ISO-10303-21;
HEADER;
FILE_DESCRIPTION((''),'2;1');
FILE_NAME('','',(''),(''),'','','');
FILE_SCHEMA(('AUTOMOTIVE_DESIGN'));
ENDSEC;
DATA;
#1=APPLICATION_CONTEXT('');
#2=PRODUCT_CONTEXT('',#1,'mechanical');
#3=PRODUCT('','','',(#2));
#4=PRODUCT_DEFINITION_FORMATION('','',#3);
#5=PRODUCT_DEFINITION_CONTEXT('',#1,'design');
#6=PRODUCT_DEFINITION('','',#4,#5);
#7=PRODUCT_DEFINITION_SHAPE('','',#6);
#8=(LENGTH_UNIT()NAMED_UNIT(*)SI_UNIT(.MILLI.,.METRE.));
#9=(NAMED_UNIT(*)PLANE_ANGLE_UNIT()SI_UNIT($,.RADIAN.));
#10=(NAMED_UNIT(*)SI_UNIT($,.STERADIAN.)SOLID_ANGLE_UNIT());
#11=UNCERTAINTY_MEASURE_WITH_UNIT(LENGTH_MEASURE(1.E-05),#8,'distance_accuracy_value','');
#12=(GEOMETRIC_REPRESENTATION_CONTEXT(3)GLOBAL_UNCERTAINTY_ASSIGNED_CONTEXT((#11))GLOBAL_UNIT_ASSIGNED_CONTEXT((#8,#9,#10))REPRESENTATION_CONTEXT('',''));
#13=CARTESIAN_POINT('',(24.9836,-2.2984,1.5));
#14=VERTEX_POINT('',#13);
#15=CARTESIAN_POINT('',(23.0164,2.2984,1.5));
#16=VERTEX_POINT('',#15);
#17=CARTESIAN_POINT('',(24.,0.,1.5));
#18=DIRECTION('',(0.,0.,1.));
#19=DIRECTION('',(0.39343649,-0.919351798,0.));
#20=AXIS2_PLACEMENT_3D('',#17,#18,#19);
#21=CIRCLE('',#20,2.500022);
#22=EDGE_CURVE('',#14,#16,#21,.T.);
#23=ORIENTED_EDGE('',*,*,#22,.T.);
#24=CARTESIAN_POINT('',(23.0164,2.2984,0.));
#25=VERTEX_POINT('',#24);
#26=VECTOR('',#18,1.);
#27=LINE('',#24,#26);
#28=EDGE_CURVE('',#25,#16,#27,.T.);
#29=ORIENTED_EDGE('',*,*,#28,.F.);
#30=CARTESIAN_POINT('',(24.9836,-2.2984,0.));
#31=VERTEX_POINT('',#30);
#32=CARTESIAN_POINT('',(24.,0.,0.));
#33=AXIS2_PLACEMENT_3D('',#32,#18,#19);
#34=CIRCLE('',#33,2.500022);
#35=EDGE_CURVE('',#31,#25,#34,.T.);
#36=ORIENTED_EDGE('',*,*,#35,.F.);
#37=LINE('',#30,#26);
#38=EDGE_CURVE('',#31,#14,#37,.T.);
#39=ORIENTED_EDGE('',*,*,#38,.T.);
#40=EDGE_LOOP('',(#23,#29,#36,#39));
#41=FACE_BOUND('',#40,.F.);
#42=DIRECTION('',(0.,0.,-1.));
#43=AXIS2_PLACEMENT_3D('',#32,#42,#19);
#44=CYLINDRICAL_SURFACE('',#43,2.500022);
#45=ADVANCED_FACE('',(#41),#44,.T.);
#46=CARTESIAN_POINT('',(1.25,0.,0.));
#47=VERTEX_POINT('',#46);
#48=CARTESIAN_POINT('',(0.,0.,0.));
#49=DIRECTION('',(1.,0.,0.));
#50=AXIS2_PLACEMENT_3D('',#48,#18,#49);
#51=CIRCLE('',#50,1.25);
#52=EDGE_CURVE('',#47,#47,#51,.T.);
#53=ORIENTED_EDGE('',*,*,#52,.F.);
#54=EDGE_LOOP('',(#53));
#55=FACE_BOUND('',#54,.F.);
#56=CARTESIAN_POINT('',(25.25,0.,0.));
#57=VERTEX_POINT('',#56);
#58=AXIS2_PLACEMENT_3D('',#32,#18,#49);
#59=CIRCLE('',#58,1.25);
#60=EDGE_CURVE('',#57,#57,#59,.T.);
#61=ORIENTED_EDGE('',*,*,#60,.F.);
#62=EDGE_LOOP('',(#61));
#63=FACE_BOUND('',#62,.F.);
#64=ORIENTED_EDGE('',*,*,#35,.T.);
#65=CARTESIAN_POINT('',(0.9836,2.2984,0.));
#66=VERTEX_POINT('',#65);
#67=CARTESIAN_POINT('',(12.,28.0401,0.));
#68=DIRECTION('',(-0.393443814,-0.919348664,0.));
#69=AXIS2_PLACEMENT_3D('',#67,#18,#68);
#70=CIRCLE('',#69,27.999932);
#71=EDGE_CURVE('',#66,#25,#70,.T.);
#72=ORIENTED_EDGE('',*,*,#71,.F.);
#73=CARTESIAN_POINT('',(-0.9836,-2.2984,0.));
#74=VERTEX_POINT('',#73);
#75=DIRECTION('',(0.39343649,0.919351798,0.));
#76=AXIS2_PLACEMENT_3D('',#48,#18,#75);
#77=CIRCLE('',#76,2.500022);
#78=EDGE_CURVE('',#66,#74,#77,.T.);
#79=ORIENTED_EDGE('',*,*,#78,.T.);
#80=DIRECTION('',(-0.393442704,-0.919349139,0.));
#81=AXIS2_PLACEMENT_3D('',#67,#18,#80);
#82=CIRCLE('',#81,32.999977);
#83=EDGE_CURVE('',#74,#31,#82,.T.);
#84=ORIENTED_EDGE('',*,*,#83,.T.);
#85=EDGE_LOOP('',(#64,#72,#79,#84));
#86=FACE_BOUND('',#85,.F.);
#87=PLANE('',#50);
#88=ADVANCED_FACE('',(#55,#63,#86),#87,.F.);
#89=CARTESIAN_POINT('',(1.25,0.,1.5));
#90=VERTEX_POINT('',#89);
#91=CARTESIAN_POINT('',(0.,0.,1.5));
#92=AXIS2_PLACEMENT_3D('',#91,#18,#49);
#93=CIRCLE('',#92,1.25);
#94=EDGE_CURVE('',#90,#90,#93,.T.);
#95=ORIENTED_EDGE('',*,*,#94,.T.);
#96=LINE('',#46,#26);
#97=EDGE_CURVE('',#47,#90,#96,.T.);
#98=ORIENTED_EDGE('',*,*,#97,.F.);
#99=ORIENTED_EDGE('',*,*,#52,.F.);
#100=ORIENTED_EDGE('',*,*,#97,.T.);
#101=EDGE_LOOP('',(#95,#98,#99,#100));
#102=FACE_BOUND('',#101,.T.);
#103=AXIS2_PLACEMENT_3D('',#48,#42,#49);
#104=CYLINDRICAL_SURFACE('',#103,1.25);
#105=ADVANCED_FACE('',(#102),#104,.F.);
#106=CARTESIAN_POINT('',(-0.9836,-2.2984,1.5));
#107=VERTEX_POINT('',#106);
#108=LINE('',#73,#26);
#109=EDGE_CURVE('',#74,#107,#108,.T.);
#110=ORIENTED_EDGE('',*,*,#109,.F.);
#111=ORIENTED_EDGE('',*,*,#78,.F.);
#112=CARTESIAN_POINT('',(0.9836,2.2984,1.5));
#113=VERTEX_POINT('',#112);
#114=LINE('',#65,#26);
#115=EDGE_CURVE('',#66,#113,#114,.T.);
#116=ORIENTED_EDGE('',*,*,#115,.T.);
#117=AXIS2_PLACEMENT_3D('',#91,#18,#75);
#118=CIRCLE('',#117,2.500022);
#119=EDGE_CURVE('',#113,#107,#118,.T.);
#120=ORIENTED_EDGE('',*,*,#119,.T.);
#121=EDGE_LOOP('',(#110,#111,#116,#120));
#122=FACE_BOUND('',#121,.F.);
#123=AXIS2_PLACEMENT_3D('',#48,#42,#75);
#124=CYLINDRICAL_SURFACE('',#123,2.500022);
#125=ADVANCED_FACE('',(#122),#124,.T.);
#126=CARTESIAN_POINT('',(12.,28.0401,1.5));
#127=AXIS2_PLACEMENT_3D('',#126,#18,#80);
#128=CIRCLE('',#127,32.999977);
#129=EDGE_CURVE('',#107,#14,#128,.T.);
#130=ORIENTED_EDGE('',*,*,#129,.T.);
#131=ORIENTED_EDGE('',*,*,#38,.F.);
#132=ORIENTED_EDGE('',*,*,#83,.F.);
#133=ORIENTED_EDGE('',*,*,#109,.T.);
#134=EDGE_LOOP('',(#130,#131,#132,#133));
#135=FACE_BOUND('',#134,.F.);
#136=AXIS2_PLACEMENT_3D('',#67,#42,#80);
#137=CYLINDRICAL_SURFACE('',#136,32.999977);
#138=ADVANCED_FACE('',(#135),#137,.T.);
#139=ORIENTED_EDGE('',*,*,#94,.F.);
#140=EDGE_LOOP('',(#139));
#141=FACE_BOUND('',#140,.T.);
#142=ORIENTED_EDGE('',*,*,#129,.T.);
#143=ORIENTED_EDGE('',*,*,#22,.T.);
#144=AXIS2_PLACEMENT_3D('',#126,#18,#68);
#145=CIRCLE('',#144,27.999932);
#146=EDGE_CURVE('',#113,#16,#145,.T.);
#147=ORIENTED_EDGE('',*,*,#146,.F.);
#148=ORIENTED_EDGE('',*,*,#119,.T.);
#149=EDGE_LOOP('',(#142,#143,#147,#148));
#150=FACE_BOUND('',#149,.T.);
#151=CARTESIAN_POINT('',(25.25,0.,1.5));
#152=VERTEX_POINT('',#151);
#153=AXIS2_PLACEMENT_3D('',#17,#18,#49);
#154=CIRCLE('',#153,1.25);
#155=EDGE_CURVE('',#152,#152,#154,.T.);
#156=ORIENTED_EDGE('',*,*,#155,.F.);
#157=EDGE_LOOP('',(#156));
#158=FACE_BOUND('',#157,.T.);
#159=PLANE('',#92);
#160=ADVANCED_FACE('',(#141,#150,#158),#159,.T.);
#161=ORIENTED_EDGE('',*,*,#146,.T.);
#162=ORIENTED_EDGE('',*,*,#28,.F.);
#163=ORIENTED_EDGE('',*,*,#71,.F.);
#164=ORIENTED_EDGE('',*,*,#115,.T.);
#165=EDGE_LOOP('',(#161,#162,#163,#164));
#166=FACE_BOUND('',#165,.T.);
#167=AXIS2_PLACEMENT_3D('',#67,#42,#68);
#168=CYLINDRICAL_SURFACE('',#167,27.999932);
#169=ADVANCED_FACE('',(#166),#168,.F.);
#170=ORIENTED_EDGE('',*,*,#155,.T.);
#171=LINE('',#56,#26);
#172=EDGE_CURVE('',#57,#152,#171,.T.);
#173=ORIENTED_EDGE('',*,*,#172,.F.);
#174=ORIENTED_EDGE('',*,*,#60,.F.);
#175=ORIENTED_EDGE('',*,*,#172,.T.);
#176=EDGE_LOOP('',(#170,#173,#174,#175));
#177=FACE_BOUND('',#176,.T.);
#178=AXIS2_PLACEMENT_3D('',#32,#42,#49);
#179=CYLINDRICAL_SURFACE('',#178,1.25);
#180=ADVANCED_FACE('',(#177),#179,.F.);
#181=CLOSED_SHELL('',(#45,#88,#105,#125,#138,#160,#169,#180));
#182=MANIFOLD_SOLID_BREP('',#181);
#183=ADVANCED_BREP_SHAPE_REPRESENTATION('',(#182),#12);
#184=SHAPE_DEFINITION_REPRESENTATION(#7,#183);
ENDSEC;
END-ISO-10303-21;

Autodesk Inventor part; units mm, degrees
ref_plane "YZ Plane" through (0, 0, 0) normal (1, 0, 0) x (0, 1, 0)
ref_plane "XZ Plane" through (0, 0, 0) normal (0, 1, 0) x (-1, 0, 0)
ref_plane "XY Plane" through (0, 0, 0) normal (0, 0, 1) x (1, 0, 0)
sketch "Sketch1" plane through (0, 0, 0) normal (0, 0, 1) x (1, 0, 0)
  circle A0 centre (0, 0) radius 1.25
  line L0 (0, 0) -> (24, 0) construction
  circle A1 centre (24, 0) radius 1.25
  arc A2 (0.9836, 2.2984) -> (-0.9836, -2.2984) centre (0, 0) ccw
  arc A3 (24.9836, -2.2984) -> (23.0164, 2.2984) centre (24, 0) ccw
  arc A4 (0.9836, 2.2984) -> (23.0164, 2.2984) centre (12, 28.0401) ccw
  arc A5 (-0.9836, -2.2984) -> (24.9836, -2.2984) centre (12, 28.0401) ccw
  dimension "d0" = 2.5
  dimension "d1" = 24
  dimension "d8" = 5
  dimension "d17" = 28
extrude "Extrusion1" add sketch "Sketch1" along normal blind 1.5
properties part number "panto_linkageE"
